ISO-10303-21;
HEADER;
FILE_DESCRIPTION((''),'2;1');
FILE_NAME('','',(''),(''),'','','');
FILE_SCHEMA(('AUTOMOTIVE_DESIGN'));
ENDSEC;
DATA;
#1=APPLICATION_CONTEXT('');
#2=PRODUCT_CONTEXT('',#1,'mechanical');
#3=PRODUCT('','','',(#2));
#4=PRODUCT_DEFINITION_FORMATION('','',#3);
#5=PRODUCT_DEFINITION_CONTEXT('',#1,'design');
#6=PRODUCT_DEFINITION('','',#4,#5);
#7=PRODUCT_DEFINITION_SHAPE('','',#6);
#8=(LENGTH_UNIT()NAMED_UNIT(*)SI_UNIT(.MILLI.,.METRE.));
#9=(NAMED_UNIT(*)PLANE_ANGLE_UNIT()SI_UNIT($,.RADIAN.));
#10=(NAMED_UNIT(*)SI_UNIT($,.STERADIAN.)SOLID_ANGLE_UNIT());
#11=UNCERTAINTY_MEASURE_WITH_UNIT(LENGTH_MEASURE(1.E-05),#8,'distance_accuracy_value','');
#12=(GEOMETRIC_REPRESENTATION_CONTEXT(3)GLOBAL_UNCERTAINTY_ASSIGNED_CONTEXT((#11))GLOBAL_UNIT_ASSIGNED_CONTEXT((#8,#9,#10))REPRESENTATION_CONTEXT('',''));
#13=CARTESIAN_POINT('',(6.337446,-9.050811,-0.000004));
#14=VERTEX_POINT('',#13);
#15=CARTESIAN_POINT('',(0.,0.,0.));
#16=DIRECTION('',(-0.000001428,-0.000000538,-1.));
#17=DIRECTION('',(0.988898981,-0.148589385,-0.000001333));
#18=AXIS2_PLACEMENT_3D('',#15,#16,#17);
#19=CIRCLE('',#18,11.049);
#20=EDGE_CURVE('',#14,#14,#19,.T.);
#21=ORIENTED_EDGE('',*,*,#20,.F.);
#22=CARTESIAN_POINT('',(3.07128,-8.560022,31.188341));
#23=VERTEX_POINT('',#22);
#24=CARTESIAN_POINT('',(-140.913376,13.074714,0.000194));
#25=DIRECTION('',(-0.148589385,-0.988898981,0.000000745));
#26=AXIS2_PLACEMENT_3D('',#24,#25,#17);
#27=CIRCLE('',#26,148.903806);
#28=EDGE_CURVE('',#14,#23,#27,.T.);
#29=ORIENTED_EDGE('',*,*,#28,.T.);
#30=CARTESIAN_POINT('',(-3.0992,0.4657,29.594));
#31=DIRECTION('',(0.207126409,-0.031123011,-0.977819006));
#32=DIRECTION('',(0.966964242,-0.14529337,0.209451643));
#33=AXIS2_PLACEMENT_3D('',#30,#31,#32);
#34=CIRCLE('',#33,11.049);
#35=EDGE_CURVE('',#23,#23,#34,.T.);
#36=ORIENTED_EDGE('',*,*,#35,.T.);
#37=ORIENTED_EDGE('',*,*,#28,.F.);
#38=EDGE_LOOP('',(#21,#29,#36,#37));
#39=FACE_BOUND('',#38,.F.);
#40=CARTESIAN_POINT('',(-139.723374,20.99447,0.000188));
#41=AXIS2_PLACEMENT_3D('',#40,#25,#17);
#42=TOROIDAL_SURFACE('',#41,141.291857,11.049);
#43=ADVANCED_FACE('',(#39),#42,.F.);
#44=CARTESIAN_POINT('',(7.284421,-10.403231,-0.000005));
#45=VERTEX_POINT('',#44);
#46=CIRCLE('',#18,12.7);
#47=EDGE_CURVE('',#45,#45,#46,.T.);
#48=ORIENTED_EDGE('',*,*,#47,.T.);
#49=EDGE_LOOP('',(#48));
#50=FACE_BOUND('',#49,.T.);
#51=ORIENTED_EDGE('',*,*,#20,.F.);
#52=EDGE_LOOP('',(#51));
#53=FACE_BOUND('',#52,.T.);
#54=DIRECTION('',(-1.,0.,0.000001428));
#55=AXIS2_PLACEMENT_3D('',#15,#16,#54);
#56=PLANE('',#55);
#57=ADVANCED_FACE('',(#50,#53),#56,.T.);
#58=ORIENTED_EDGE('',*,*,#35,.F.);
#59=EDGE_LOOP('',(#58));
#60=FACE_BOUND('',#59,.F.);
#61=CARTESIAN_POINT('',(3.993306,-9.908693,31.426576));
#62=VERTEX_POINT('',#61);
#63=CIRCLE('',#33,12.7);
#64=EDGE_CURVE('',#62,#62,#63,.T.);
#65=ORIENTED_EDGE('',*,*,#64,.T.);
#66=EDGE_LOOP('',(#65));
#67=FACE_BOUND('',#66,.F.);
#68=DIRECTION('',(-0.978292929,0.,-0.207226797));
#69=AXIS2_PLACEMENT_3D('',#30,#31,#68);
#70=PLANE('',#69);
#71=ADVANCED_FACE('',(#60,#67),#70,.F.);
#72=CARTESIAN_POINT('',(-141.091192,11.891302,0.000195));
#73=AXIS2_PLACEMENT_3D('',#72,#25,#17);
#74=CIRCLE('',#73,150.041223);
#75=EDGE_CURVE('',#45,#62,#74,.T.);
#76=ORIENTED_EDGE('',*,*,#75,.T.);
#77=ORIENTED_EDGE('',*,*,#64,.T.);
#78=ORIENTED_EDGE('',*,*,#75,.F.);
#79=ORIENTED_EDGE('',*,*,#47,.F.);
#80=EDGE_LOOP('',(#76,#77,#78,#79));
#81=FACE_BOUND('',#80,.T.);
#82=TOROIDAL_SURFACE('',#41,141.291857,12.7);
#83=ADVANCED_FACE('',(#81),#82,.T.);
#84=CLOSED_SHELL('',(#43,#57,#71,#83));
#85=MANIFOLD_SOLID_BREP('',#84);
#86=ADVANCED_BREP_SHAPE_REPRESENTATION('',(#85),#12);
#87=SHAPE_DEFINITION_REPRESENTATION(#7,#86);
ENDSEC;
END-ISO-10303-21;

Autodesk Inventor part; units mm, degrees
sketch "Sketch" plane through (0, 0, 0) normal (0, 0, -1) x (0.5736, -0.8192, 0)
  circle A0 centre (0, 0) radius 12.7
  circle A1 centre (0, 0) radius 11.049
  dimension "d0" = 25.4
  dimension "d1" = 1.651
ref_plane "Start Plane" through (0, 0, 0) normal (1, 0, 0) x (0, 1, 0)
ref_plane "End Plane" through (29.8148, 0, 0) normal (1, 0, 0) x (0, 1, 0)
sketch "Sketch2" plane through (0, 0, 0) normal (1, 0, 0) x (0, 1, 0)
  line L0 (0, 0) -> (10, 0)
ref_plane "Work Plane3" through (0, 0, 0) normal (0, 0, -1) x (0, 1, 0)
sketch "Sketch3" plane through (0, 0, 0) normal (0, 0, -1) x (0, 1, 0)
  line L0 (-2, 0) -> (12, 0)
  line L1 (-17.8719, 29.8148) -> (18.3314, 29.8148)
  dimension "d9" = 29.8148
ref_plane "Orientation Work Plane" through (0, 0, 0) normal (0, 0, -1) x (0.5736, -0.8192, 0)
sketch3d "Sweep Path"
  arc A0 (0, 0, 0) -> (-3.0992, 0.4657, 29.594) centre (-139.7269, 20.995, 0) ccw
sweep "Body" add profiles "Sketch" path "Sweep Path"
equation "\"G_OFFSET_START\" = 0"
equation "\"G_OFFSET_END\" = 0"
equation "\"d5\" = d2 + G_OFFSET_END"
equation "\"G_L\" = d9"
equation "\"d2\" = 29.814793"
properties part number "4130_1x0.065" material "Steel, Alloy"
